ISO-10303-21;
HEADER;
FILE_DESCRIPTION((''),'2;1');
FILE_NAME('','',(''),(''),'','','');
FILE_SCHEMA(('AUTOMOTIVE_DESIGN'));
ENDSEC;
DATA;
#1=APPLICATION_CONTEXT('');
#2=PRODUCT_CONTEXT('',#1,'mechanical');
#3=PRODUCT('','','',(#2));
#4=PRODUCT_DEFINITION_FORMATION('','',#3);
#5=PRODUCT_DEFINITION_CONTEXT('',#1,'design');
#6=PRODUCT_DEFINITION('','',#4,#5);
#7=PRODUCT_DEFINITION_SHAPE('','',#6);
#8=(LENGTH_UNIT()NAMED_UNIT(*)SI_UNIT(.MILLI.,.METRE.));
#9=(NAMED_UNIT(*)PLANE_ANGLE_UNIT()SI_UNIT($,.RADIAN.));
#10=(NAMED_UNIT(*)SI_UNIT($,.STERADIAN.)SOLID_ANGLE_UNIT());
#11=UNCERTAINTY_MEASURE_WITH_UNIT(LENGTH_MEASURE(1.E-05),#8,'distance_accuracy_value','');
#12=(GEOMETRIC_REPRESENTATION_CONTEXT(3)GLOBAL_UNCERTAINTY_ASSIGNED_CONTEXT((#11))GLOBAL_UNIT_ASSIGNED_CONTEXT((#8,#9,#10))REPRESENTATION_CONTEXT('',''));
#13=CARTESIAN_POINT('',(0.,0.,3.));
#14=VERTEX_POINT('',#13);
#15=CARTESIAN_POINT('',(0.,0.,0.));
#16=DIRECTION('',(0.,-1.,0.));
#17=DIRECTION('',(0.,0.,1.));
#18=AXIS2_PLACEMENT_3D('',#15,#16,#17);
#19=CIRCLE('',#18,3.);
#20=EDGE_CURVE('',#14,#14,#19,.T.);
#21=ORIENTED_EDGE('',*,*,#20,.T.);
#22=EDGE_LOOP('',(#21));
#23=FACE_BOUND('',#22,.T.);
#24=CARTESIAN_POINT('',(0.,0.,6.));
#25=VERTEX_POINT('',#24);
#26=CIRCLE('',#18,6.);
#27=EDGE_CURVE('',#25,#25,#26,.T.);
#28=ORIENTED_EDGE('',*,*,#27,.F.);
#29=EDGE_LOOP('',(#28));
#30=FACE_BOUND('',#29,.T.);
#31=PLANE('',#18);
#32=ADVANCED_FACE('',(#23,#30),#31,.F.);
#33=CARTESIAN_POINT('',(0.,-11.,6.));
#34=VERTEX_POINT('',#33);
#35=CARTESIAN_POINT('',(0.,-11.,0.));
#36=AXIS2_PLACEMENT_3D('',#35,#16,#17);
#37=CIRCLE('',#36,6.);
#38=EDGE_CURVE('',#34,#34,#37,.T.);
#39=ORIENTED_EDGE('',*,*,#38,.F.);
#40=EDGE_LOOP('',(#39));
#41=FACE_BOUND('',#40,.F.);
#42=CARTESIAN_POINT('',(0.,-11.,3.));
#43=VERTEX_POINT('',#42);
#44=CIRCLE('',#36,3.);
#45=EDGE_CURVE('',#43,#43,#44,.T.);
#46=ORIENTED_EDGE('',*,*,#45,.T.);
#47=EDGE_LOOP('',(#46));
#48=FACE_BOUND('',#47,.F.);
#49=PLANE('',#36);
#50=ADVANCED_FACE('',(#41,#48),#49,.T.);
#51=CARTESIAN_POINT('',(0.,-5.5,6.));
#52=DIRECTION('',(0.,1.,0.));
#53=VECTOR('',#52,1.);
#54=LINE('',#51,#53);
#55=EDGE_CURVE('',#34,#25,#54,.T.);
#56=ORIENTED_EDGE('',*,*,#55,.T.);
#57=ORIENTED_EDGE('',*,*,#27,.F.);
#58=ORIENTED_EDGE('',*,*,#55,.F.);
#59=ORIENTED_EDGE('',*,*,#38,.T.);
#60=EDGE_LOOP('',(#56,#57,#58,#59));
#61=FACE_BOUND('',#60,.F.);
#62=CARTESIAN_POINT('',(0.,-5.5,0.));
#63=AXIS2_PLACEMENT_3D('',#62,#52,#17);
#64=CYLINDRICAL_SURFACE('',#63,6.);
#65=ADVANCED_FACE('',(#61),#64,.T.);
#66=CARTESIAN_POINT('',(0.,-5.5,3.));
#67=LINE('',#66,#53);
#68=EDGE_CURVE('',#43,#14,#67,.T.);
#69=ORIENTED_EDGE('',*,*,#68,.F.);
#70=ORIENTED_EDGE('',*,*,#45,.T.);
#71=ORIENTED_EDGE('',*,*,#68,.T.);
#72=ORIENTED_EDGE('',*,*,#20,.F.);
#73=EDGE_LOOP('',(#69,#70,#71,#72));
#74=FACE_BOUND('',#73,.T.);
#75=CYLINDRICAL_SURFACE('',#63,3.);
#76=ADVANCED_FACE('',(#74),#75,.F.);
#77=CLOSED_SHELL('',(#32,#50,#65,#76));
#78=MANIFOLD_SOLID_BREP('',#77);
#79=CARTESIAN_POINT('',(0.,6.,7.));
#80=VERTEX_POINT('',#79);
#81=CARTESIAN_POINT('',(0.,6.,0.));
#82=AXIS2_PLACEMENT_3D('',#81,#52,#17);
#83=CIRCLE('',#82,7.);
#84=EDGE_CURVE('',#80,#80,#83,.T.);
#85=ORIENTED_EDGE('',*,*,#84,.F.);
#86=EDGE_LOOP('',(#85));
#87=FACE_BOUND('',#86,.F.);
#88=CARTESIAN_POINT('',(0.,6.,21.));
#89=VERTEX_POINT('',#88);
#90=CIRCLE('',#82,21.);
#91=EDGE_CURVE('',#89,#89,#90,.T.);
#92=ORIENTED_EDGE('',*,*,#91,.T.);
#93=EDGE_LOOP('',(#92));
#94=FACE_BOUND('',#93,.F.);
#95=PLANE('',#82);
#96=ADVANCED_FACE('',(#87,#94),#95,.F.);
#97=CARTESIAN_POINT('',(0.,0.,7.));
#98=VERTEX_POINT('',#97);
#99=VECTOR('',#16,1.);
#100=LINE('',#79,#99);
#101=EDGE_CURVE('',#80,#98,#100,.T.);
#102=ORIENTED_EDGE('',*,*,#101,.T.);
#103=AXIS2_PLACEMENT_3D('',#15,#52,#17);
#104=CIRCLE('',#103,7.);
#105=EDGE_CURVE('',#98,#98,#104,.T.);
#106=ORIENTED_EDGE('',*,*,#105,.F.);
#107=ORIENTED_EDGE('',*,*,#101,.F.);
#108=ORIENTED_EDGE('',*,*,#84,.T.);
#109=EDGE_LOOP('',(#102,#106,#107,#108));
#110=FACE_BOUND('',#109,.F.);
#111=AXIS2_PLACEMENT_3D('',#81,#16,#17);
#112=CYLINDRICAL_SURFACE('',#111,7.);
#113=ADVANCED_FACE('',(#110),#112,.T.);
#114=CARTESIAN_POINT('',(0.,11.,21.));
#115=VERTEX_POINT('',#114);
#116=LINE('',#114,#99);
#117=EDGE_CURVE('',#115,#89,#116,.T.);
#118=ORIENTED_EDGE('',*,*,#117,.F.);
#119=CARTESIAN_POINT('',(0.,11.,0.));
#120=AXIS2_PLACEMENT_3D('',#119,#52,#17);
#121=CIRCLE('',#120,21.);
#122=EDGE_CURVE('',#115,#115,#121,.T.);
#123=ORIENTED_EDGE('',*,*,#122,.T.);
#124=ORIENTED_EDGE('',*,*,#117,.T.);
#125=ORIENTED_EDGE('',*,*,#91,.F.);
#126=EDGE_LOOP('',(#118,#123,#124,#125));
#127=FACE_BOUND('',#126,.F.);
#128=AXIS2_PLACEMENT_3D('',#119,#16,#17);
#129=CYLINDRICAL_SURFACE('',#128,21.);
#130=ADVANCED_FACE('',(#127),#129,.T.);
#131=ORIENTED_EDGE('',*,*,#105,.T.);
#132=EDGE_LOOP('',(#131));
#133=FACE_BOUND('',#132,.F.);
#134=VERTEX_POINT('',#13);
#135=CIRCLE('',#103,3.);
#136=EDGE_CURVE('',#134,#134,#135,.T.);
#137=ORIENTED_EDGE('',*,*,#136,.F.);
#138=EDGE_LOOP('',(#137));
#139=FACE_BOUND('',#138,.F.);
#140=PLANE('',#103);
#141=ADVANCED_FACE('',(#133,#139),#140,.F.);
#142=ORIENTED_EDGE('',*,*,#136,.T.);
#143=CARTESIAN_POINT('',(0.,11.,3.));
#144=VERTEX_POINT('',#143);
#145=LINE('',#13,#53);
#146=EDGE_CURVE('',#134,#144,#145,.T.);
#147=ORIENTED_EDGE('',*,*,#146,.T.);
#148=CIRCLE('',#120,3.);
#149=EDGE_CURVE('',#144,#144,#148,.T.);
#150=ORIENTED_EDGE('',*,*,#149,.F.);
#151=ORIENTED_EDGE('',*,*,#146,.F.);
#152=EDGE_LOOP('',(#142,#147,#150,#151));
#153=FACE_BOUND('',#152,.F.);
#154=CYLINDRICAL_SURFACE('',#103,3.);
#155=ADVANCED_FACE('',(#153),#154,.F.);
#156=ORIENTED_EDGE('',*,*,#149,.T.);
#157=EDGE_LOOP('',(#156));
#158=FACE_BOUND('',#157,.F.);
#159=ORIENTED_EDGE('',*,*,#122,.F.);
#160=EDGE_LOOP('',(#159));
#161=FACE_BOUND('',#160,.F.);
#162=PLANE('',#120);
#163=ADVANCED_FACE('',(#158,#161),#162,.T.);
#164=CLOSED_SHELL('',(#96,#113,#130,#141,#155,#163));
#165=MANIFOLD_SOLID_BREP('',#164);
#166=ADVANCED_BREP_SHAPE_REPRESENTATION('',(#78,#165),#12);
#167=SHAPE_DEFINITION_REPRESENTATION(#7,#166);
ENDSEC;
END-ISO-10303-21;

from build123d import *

# Parameters (mm, degrees)
F0_W = 11
F0_H = 3


with BuildPart() as f1:
    # F0 (on Right) → F1 (revolve)
    with BuildSketch(Plane.YZ):
        with Locations((-5.5, 4.5)):
            Rectangle(F0_W, F0_H)
    revolve(axis=Axis((0, -5.5, 0), (0, -1, 0)))


with BuildPart() as f3:
    # F2 (on Right) → F3 (revolve)
    with BuildSketch(Plane.YZ):
        Polygon((0, 7), (0, 3), (11, 3), (11, 21), (6, 21), (6, 7), align=None)
    revolve(axis=Axis((0, 16.702523, 0), (0, 1, 0)))


solid = Compound([f1.part, f3.part])
